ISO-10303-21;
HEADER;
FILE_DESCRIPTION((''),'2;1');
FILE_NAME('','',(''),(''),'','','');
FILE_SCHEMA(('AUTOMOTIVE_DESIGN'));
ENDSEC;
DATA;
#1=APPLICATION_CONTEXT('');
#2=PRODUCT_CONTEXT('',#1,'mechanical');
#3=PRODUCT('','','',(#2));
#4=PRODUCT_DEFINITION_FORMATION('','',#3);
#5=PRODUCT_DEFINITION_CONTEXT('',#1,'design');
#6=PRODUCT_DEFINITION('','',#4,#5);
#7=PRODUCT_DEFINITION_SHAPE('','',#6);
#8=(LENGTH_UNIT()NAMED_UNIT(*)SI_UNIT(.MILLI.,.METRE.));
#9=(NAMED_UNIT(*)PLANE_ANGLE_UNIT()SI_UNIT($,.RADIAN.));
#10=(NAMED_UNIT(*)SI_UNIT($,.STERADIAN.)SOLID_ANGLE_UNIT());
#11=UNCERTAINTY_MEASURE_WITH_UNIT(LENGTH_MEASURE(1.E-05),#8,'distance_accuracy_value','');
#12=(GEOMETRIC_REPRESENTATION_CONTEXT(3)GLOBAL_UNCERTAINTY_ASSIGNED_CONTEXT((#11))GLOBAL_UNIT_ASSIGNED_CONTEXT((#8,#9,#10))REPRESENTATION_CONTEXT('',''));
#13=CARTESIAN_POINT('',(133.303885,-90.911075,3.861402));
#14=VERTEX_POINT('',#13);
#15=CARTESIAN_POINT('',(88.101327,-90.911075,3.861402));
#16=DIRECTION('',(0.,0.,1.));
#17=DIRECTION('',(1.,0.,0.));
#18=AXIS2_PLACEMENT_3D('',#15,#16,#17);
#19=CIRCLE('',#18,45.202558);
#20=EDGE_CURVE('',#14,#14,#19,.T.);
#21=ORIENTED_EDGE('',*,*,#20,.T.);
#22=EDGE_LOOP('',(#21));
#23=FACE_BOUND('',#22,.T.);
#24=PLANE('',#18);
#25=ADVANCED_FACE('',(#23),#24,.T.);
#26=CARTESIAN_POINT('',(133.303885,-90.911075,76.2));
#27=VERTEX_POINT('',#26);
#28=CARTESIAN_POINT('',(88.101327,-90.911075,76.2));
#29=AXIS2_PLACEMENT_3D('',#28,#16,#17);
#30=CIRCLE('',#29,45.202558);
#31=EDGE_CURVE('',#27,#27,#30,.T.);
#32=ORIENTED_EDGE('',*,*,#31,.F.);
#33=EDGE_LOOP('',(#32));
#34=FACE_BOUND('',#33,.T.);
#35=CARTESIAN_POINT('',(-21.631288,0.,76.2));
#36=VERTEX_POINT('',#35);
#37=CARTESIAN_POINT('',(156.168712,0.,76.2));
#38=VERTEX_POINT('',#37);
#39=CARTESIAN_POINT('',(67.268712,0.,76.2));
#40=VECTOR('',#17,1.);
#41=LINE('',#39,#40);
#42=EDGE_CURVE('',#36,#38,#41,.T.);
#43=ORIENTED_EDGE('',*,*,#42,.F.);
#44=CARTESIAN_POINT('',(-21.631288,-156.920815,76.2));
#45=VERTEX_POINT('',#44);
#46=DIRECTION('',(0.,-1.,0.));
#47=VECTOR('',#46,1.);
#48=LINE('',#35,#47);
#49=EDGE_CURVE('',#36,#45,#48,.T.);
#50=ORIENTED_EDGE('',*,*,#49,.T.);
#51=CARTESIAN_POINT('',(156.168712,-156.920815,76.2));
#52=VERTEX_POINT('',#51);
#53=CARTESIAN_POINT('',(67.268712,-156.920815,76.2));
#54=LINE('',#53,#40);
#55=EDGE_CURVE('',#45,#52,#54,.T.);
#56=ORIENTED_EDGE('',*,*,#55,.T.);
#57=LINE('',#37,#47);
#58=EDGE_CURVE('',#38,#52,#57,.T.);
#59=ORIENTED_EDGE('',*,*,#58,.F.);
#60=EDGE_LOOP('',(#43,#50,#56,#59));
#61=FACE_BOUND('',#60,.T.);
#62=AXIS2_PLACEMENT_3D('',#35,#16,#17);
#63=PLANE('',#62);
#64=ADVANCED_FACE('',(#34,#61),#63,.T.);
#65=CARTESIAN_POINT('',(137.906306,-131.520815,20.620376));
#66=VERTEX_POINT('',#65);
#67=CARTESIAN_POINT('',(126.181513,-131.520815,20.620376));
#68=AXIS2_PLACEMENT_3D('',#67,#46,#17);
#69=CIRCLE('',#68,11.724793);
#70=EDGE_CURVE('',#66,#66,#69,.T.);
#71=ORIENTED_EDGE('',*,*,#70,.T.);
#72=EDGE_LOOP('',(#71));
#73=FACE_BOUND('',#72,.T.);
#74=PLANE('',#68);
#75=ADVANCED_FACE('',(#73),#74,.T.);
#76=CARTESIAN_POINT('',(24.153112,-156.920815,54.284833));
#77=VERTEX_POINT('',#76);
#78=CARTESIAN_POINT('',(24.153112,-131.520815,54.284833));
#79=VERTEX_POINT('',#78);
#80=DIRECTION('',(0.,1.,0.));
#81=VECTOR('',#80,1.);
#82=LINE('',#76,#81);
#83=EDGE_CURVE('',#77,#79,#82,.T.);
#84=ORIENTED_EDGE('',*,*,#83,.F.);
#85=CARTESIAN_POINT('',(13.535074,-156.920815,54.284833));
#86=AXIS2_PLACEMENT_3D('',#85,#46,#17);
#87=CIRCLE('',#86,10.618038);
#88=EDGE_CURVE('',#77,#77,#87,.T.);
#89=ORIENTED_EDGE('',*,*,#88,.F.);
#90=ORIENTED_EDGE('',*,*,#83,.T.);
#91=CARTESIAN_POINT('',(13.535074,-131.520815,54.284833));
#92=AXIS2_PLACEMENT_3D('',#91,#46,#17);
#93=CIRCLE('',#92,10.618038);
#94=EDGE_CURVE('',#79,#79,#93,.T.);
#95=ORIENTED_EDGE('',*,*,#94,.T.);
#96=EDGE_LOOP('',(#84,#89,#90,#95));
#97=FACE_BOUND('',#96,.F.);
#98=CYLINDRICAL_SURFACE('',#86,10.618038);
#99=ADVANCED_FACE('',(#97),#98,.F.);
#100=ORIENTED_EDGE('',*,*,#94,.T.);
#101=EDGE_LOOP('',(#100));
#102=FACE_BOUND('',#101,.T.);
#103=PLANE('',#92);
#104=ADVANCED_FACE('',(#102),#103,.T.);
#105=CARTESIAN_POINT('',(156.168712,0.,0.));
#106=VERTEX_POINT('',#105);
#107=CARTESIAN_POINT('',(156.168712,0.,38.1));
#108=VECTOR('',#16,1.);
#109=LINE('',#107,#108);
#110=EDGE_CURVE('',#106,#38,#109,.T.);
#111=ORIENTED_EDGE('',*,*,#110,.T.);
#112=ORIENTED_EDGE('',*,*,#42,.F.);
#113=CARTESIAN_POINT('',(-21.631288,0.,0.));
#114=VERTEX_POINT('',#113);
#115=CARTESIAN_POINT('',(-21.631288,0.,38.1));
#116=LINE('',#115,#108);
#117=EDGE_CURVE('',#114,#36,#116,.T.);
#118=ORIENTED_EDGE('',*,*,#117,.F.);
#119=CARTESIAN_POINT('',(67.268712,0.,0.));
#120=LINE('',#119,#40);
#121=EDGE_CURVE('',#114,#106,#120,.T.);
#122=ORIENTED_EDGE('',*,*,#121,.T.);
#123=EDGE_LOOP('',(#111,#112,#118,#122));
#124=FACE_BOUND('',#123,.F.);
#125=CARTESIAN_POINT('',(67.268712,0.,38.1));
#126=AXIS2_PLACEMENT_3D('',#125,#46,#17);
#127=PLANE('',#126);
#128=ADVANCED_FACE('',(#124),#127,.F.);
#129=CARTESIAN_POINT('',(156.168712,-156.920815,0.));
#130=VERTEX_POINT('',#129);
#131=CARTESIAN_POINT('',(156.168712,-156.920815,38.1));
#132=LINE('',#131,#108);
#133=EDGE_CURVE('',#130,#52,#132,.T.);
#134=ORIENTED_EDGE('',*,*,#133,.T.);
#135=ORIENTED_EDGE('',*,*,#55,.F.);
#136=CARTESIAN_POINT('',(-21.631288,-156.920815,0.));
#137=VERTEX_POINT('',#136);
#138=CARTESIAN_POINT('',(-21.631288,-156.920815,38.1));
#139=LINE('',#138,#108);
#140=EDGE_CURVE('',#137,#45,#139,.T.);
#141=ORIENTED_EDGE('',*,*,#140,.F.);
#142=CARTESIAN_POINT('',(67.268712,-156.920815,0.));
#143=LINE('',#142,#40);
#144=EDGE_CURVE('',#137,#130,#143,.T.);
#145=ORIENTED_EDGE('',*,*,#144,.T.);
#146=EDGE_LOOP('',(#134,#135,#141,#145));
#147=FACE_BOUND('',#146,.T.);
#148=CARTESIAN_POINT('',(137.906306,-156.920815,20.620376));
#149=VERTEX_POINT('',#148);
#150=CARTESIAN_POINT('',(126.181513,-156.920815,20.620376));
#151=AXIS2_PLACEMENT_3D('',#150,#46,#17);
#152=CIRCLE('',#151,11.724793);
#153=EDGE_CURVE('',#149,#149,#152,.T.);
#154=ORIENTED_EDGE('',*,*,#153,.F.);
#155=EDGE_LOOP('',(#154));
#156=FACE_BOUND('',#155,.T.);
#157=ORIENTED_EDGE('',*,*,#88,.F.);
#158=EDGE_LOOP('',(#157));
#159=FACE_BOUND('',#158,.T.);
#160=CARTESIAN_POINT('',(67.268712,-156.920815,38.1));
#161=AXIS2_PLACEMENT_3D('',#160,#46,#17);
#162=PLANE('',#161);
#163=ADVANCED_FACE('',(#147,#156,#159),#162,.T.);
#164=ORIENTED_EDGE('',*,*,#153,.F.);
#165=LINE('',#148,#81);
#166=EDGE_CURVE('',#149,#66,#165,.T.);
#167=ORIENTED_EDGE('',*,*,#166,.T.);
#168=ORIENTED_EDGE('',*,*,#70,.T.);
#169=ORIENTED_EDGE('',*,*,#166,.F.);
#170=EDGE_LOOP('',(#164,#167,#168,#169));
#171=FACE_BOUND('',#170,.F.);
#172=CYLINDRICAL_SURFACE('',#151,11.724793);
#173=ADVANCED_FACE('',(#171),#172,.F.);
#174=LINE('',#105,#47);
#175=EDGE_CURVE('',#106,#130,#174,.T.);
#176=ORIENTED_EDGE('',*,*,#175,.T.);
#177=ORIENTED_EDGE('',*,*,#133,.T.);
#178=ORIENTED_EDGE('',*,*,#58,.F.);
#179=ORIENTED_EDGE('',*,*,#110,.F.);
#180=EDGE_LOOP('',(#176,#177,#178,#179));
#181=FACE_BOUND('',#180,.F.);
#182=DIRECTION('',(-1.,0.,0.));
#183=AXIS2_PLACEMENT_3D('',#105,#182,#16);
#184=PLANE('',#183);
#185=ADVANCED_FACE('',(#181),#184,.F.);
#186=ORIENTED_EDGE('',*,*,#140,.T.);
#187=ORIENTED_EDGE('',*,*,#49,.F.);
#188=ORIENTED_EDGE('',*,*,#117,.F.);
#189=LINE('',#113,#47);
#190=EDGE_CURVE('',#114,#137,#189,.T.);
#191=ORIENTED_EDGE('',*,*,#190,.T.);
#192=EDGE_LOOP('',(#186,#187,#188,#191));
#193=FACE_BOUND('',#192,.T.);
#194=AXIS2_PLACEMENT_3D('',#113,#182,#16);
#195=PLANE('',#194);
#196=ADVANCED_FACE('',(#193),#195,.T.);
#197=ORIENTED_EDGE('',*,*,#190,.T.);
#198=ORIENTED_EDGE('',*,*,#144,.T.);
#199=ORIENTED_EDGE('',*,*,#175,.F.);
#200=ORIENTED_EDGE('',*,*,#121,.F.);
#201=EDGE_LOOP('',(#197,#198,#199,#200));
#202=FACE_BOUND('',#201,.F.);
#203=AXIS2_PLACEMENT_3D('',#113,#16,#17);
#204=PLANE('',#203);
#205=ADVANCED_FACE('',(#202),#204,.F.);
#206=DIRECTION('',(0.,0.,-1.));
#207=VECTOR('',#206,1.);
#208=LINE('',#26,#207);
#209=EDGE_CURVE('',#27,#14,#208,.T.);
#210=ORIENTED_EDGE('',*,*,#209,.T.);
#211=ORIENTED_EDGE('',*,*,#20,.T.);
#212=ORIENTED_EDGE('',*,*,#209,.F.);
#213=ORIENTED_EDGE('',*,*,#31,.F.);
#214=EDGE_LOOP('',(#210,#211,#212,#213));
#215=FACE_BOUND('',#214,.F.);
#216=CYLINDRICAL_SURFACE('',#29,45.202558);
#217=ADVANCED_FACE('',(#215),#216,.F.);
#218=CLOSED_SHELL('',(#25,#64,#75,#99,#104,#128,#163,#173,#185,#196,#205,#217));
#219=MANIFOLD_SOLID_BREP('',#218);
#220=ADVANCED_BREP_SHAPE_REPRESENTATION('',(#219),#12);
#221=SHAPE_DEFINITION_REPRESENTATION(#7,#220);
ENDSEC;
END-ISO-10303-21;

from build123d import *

# Parameters (mm, degrees)
F0_W     = 177.8
F0_H     = 76.2
F5_DEPTH = 156.920815
F1_R     = 45.202558
F2_DEPTH = 72.338598
F3_R     = 10.618038
F3_R_2   = 11.724793
F4_DEPTH = 25.4


with BuildPart() as f5:
    # F0 (on Front) → F5 (new body)
    with BuildSketch(Plane.XZ):
        with Locations((67.268712, 38.1)):
            Rectangle(F0_W, F0_H)
    extrude(amount=F5_DEPTH)

    # F1 (on face) → F2 (cut)
    with BuildSketch(Plane.XY.offset(76.2)):
        with Locations((88.101327, -90.911075)):
            Circle(F1_R)
    extrude(amount=-F2_DEPTH, mode=Mode.SUBTRACT)

    # F3 (on face) → F4 (cut)
    with BuildSketch(Plane.XZ.offset(156.920815)):
        with Locations((13.535074, 54.284833)):
            Circle(F3_R)
        with Locations((126.181513, 20.620376)):
            Circle(F3_R_2)
    extrude(amount=-F4_DEPTH, mode=Mode.SUBTRACT)


solid = f5.part
